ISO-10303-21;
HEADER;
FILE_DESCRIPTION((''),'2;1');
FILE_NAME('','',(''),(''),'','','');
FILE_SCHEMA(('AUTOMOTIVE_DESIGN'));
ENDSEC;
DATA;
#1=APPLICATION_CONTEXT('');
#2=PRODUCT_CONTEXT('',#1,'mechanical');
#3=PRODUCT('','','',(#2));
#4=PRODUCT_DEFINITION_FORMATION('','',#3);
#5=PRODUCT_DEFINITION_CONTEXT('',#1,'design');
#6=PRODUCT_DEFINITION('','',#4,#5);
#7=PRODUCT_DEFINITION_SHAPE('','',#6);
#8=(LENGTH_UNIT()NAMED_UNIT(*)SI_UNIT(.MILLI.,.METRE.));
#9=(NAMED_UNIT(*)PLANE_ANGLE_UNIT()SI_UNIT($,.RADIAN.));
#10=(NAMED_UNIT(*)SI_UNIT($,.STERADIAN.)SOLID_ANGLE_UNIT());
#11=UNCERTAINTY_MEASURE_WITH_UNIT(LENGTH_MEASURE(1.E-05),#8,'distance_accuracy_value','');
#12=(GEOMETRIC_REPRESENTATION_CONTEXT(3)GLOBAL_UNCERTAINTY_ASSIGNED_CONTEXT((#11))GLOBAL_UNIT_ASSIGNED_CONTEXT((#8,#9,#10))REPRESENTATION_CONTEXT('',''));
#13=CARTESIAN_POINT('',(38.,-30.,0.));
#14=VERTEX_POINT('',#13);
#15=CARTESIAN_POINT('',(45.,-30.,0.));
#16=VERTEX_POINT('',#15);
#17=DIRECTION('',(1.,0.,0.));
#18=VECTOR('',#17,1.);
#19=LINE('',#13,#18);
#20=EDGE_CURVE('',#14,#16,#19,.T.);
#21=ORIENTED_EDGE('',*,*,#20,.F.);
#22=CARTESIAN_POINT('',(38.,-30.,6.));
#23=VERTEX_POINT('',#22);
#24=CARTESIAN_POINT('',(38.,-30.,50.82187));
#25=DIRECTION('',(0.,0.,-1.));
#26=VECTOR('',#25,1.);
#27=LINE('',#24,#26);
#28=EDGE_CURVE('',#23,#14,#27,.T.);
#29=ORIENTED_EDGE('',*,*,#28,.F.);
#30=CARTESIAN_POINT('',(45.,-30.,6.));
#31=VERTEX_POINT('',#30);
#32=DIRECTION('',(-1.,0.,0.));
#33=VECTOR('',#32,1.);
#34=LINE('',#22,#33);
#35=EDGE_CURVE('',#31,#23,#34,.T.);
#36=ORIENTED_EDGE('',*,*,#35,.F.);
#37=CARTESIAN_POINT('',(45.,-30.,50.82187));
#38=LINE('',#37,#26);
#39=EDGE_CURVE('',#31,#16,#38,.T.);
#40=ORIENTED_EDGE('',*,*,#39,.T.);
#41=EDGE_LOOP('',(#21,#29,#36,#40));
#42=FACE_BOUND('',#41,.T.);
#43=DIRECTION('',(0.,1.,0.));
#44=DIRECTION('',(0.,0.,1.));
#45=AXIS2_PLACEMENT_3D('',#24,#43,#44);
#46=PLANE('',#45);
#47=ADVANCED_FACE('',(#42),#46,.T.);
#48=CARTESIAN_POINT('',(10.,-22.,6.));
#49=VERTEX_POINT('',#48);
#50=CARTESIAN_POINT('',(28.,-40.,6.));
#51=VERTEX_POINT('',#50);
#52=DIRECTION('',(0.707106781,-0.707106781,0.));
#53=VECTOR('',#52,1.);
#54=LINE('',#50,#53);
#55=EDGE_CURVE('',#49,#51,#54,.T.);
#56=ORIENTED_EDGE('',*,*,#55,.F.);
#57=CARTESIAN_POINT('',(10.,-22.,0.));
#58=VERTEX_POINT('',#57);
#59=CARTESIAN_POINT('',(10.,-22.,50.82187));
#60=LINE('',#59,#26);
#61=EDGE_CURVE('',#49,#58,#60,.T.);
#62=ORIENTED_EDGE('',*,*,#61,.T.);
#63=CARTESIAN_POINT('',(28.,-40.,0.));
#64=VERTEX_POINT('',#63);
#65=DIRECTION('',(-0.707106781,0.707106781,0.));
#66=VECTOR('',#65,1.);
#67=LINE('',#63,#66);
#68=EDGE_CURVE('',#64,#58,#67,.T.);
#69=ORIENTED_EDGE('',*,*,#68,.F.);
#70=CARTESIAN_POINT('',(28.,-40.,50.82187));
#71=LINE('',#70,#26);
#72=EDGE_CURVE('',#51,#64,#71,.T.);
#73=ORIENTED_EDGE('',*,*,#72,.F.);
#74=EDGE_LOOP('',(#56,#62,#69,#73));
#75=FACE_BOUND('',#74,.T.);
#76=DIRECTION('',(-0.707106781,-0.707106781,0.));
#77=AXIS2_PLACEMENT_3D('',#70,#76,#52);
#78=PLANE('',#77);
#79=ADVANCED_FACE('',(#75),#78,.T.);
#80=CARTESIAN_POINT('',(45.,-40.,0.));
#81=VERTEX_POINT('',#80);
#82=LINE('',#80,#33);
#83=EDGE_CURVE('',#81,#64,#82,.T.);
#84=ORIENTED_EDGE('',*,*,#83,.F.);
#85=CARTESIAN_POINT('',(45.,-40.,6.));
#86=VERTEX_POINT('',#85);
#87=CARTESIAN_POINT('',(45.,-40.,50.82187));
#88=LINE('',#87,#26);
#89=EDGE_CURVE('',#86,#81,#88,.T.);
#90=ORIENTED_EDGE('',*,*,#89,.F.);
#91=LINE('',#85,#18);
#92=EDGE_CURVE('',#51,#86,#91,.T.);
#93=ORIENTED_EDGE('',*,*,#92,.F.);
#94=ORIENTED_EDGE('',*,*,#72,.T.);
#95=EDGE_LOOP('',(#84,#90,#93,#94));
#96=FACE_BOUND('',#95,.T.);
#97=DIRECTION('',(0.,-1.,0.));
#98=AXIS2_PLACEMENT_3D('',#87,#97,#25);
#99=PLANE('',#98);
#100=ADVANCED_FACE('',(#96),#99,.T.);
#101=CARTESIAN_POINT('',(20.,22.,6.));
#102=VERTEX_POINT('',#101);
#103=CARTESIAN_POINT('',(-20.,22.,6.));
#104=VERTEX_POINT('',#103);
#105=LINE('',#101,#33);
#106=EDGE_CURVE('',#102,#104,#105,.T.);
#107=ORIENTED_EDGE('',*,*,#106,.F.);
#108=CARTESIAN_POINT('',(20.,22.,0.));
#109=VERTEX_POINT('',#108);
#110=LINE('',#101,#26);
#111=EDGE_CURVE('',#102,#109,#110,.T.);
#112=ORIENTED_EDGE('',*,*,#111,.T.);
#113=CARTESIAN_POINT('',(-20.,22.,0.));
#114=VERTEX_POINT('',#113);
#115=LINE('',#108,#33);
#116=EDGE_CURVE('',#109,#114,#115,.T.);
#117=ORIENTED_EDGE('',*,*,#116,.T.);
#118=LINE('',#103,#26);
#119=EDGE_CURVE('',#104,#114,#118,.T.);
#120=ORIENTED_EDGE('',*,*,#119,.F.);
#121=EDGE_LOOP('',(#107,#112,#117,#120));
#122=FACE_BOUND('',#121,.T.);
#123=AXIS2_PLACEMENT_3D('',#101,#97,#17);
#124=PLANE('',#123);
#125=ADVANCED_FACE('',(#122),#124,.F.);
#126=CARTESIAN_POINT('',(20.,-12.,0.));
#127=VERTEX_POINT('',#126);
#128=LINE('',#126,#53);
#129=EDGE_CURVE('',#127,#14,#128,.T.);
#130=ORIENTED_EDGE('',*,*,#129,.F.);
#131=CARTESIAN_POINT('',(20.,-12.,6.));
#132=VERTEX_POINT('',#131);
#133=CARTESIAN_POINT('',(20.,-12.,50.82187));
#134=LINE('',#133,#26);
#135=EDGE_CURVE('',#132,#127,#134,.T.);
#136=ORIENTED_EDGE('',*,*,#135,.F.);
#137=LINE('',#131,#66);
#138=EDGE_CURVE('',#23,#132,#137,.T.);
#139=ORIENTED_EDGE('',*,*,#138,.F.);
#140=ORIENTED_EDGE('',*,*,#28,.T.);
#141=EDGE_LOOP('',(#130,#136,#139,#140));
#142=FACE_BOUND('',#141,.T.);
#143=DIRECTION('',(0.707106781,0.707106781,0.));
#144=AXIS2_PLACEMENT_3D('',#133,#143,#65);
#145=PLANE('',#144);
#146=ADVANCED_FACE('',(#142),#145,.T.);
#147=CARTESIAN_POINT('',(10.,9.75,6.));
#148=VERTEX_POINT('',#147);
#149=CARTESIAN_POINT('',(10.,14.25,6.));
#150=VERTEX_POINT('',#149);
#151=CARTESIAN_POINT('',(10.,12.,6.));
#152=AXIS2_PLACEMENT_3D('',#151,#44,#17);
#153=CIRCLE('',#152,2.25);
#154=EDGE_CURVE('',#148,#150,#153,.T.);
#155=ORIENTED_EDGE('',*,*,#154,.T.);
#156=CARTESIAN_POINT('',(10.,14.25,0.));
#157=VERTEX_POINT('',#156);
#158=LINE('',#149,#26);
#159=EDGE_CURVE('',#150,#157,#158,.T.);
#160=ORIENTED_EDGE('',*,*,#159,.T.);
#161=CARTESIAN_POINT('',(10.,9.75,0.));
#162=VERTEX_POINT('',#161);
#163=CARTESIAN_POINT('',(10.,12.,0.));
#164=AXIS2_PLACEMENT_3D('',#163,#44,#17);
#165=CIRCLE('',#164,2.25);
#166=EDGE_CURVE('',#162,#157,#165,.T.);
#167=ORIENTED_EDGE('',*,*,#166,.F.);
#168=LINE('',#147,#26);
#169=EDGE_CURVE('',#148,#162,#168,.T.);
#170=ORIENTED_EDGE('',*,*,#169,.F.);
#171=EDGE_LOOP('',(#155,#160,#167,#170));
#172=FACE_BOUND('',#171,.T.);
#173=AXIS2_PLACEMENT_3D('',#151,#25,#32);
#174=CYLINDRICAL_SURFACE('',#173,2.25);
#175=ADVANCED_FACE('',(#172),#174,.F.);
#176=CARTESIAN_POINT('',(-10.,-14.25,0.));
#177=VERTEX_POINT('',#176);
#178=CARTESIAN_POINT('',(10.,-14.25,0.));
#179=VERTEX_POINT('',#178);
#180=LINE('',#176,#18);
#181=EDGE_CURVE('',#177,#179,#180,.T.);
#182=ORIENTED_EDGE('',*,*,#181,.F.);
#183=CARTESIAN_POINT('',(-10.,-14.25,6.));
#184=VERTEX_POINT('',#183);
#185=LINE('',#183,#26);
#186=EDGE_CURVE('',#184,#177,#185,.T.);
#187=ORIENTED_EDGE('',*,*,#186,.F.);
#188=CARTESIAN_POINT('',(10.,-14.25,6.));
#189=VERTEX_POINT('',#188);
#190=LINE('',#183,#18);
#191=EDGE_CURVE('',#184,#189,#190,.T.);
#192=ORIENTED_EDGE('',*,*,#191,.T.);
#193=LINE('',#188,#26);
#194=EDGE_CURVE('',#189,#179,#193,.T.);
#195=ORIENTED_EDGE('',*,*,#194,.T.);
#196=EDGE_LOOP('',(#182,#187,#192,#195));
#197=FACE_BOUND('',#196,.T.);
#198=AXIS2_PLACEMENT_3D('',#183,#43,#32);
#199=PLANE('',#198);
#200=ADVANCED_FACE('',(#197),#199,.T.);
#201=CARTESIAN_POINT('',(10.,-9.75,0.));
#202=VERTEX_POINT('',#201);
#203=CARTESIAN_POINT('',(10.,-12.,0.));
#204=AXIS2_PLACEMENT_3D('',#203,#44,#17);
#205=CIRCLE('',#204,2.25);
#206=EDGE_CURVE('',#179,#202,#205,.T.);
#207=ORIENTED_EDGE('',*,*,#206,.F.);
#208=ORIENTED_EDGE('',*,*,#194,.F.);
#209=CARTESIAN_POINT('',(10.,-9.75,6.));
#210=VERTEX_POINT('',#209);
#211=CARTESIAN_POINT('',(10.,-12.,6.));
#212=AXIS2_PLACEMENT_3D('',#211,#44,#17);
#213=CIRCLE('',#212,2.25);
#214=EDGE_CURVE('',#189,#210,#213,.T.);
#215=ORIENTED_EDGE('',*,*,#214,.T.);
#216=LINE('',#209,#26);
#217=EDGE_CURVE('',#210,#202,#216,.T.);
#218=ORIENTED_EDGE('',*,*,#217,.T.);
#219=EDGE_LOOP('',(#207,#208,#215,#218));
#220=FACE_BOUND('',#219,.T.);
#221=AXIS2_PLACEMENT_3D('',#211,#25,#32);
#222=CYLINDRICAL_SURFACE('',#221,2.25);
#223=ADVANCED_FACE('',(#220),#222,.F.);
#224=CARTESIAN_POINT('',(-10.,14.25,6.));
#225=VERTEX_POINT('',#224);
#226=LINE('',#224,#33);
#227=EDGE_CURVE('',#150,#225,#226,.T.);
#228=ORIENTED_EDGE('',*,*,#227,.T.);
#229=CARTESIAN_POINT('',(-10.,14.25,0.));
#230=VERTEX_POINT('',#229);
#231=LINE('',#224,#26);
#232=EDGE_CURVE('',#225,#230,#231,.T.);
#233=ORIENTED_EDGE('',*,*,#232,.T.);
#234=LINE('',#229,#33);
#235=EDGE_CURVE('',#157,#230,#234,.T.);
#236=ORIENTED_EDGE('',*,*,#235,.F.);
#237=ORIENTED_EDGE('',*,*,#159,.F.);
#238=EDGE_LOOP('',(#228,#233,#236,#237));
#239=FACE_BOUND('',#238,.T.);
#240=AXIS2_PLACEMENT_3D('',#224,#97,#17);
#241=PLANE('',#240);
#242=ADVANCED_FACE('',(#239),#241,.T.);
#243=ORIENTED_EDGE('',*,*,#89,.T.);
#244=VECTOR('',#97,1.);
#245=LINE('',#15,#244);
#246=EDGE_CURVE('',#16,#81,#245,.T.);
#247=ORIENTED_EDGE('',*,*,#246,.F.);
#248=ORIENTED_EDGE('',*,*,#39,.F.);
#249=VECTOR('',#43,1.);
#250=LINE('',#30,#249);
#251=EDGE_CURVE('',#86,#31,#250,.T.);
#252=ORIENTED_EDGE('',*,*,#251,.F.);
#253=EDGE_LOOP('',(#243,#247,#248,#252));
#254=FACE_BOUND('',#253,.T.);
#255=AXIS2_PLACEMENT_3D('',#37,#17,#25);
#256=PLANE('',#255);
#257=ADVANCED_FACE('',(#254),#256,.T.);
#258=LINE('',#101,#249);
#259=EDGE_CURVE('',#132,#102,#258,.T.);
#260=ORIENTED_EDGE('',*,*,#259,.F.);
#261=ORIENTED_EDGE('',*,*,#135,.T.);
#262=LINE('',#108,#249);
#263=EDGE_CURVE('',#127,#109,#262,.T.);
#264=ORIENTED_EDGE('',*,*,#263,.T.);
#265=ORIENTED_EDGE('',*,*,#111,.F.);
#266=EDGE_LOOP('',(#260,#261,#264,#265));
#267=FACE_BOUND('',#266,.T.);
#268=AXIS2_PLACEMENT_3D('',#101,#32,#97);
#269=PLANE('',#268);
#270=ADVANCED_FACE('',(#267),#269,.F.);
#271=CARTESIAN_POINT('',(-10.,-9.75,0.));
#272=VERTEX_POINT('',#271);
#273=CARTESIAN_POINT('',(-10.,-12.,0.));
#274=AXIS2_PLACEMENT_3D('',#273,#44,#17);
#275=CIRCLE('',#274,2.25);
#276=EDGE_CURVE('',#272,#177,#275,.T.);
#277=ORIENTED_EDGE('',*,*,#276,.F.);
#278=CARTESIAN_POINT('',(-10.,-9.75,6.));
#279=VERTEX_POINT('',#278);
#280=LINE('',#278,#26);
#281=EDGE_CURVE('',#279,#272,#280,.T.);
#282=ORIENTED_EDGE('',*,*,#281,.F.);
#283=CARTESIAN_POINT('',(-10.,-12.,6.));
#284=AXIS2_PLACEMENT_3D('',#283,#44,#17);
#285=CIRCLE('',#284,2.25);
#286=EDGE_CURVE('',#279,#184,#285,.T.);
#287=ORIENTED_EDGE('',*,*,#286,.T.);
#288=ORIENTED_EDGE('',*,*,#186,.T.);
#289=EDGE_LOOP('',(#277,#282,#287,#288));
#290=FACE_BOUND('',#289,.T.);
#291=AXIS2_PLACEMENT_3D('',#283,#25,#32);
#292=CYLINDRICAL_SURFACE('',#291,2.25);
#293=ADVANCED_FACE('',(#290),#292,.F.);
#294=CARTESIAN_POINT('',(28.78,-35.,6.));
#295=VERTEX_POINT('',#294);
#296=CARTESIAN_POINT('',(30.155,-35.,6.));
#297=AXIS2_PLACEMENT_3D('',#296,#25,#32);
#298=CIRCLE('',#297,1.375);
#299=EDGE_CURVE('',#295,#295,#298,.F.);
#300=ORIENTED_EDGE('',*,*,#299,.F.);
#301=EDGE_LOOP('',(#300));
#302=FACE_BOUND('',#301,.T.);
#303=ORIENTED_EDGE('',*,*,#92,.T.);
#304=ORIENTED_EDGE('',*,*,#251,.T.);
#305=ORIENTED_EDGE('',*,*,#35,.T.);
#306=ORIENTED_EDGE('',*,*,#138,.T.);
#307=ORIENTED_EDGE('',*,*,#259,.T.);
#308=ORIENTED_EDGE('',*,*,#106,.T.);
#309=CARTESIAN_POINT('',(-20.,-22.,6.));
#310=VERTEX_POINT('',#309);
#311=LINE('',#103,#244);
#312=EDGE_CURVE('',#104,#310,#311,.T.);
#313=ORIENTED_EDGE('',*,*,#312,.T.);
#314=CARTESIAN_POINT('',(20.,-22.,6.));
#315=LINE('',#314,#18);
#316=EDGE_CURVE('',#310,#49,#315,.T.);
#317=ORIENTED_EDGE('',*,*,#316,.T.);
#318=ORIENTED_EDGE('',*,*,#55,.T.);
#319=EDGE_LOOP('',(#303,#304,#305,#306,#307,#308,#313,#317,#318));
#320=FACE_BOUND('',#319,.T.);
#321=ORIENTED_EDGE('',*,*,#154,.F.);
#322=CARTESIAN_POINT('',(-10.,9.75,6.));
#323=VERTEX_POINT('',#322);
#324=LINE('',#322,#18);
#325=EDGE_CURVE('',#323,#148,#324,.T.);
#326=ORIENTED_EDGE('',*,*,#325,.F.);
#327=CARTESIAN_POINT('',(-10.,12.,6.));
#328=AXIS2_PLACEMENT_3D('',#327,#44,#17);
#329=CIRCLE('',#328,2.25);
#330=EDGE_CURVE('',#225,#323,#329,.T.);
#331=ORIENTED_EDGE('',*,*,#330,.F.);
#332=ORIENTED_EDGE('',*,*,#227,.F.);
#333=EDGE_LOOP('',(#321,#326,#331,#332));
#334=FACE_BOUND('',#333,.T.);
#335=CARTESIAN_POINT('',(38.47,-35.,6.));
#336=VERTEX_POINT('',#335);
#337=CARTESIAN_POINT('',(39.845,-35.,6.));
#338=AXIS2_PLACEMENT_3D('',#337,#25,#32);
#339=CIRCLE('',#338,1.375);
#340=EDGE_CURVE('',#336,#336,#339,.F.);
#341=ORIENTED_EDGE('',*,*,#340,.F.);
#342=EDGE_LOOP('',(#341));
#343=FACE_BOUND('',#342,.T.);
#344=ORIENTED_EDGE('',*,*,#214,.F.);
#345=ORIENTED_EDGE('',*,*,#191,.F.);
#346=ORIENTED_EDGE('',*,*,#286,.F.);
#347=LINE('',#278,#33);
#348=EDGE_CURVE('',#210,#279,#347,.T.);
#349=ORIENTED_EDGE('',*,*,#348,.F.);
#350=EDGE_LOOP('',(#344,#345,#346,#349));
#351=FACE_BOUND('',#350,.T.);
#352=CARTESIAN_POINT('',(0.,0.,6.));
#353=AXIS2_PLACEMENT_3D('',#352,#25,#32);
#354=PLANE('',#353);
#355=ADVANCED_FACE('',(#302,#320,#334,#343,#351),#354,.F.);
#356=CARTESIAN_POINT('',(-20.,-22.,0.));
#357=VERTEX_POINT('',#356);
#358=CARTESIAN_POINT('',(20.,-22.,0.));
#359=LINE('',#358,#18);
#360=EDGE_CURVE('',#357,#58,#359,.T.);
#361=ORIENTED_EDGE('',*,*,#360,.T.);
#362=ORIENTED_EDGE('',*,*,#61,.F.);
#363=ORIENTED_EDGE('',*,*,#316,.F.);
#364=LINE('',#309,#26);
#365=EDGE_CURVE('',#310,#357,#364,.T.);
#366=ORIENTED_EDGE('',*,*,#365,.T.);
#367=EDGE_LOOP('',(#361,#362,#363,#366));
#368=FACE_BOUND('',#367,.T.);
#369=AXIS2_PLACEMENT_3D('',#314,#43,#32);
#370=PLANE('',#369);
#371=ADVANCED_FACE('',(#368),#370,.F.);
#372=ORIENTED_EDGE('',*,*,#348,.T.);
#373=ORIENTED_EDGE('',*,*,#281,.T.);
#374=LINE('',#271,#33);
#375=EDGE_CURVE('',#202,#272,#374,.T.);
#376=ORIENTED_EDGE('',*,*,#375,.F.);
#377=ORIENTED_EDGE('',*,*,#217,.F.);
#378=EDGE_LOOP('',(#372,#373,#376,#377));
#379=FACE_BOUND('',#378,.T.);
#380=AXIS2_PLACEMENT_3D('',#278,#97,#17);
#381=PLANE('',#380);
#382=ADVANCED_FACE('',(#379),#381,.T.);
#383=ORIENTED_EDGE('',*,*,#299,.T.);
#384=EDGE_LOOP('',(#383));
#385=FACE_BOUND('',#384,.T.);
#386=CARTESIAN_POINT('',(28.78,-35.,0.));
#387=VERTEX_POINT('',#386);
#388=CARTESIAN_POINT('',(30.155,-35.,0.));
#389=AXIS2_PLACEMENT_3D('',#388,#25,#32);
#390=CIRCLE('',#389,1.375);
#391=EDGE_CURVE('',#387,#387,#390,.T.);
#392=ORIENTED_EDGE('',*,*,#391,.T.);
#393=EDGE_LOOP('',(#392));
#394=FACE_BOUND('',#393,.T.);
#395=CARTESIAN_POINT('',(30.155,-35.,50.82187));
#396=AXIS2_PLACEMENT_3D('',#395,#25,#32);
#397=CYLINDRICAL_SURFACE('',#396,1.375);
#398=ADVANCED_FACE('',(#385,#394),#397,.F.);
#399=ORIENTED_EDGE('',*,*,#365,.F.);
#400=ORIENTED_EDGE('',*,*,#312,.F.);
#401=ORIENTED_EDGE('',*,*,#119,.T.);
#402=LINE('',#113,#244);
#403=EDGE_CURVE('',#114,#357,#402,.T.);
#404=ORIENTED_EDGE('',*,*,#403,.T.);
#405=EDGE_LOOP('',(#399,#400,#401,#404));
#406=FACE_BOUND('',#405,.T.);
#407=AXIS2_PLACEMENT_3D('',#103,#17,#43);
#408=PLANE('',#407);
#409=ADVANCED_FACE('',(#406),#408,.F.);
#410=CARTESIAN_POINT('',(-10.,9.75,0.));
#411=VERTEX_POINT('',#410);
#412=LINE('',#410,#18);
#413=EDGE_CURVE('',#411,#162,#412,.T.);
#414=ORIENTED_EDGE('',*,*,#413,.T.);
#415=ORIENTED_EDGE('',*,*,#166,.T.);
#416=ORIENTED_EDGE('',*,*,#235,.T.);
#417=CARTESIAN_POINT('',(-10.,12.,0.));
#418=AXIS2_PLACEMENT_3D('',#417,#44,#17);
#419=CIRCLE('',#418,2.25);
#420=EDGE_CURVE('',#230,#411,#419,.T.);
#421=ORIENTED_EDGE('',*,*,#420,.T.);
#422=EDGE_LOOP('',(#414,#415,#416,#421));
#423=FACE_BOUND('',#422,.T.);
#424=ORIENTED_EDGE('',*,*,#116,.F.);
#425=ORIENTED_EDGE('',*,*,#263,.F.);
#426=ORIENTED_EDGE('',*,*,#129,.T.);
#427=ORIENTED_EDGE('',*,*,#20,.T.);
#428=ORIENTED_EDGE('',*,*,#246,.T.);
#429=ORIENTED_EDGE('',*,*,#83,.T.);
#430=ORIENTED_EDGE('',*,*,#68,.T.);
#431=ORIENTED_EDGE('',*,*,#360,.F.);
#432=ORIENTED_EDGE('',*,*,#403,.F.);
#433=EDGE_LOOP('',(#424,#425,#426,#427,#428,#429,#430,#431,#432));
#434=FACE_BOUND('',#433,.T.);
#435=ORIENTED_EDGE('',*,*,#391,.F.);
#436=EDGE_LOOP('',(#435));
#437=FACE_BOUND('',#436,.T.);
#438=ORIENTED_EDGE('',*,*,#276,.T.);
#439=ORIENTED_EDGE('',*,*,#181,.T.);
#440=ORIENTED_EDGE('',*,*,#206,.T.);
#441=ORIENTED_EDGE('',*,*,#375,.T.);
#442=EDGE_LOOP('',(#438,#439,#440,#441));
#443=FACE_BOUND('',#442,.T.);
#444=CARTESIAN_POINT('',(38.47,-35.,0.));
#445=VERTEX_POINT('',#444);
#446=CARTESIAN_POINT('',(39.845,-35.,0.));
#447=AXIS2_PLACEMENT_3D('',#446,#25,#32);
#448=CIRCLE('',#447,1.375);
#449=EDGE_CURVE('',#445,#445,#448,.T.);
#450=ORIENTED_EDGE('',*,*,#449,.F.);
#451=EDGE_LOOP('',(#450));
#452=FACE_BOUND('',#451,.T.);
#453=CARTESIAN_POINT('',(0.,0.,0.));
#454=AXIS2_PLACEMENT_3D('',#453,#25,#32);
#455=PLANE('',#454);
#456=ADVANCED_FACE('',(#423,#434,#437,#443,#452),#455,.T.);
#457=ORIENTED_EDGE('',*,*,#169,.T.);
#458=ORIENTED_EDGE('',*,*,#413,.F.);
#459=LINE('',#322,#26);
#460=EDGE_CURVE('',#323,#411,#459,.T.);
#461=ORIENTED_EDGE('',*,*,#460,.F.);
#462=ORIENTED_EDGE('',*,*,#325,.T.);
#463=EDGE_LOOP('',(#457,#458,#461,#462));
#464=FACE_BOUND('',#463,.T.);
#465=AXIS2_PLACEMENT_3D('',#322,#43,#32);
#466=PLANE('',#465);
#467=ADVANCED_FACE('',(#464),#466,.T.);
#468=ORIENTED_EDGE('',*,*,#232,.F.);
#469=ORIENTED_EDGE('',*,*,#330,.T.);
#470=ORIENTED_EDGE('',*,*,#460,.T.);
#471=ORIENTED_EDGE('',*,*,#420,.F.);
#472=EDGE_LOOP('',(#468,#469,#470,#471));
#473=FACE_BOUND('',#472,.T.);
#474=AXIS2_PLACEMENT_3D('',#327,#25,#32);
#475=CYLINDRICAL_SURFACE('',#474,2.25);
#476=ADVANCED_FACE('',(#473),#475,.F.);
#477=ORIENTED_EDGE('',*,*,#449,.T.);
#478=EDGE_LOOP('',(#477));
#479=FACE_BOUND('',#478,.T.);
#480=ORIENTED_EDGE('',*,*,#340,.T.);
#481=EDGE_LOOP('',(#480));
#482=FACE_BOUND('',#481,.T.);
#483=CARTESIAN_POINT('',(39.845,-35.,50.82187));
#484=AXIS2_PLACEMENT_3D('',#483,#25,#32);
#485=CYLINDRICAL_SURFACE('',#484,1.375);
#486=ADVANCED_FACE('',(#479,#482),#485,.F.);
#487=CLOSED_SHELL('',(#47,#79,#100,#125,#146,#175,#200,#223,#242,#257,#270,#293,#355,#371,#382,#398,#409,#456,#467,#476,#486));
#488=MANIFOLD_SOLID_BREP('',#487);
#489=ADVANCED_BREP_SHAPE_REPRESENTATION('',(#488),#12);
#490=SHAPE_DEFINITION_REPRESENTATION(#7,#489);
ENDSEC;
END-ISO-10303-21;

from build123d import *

# Parameters (mm, degrees)
SKETCH1_W           = 40
SKETCH1_H           = 44
BOSS_EXTRUDE1_DEPTH = 6
SKETCH3_R           = 1.375
BOSS_EXTRUDE2_DEPTH = 6


with BuildPart() as part:
    # Sketch1 → Boss-Extrude1 (new body)
    with BuildSketch(Plane.XY):
        Rectangle(SKETCH1_W, SKETCH1_H)
        with BuildLine():
            Line((-10, -9.75), (10, -9.75))
            ThreePointArc((10, -9.75), (12.25, -12), (10, -14.25))
            Line((10, -14.25), (-10, -14.25))
            ThreePointArc((-10, -14.25), (-12.25, -12), (-10, -9.75))
        make_face(mode=Mode.SUBTRACT)
        with BuildLine():
            Line((-10, 14.25), (10, 14.25))
            ThreePointArc((10, 14.25), (12.25, 12), (10, 9.75))
            Line((10, 9.75), (-10, 9.75))
            ThreePointArc((-10, 9.75), (-12.25, 12), (-10, 14.25))
        make_face(mode=Mode.SUBTRACT)
    extrude(amount=BOSS_EXTRUDE1_DEPTH)

    # Sketch3 → Boss-Extrude2 (add)
    with BuildSketch(Plane(origin=(0, 0, 0), x_dir=(-1, 0, 0), z_dir=(0, 0, -1))):
        Polygon((-20, -12), (-38, -30), (-45, -30), (-45, -40), (-28, -40), (-10, -22), (-20, -22), align=None)
        with Locations((-39.845, -35)):
            Circle(SKETCH3_R, mode=Mode.SUBTRACT)
        with Locations((-30.155, -35)):
            Circle(SKETCH3_R, mode=Mode.SUBTRACT)
    extrude(amount=-BOSS_EXTRUDE2_DEPTH)


solid = part.part
